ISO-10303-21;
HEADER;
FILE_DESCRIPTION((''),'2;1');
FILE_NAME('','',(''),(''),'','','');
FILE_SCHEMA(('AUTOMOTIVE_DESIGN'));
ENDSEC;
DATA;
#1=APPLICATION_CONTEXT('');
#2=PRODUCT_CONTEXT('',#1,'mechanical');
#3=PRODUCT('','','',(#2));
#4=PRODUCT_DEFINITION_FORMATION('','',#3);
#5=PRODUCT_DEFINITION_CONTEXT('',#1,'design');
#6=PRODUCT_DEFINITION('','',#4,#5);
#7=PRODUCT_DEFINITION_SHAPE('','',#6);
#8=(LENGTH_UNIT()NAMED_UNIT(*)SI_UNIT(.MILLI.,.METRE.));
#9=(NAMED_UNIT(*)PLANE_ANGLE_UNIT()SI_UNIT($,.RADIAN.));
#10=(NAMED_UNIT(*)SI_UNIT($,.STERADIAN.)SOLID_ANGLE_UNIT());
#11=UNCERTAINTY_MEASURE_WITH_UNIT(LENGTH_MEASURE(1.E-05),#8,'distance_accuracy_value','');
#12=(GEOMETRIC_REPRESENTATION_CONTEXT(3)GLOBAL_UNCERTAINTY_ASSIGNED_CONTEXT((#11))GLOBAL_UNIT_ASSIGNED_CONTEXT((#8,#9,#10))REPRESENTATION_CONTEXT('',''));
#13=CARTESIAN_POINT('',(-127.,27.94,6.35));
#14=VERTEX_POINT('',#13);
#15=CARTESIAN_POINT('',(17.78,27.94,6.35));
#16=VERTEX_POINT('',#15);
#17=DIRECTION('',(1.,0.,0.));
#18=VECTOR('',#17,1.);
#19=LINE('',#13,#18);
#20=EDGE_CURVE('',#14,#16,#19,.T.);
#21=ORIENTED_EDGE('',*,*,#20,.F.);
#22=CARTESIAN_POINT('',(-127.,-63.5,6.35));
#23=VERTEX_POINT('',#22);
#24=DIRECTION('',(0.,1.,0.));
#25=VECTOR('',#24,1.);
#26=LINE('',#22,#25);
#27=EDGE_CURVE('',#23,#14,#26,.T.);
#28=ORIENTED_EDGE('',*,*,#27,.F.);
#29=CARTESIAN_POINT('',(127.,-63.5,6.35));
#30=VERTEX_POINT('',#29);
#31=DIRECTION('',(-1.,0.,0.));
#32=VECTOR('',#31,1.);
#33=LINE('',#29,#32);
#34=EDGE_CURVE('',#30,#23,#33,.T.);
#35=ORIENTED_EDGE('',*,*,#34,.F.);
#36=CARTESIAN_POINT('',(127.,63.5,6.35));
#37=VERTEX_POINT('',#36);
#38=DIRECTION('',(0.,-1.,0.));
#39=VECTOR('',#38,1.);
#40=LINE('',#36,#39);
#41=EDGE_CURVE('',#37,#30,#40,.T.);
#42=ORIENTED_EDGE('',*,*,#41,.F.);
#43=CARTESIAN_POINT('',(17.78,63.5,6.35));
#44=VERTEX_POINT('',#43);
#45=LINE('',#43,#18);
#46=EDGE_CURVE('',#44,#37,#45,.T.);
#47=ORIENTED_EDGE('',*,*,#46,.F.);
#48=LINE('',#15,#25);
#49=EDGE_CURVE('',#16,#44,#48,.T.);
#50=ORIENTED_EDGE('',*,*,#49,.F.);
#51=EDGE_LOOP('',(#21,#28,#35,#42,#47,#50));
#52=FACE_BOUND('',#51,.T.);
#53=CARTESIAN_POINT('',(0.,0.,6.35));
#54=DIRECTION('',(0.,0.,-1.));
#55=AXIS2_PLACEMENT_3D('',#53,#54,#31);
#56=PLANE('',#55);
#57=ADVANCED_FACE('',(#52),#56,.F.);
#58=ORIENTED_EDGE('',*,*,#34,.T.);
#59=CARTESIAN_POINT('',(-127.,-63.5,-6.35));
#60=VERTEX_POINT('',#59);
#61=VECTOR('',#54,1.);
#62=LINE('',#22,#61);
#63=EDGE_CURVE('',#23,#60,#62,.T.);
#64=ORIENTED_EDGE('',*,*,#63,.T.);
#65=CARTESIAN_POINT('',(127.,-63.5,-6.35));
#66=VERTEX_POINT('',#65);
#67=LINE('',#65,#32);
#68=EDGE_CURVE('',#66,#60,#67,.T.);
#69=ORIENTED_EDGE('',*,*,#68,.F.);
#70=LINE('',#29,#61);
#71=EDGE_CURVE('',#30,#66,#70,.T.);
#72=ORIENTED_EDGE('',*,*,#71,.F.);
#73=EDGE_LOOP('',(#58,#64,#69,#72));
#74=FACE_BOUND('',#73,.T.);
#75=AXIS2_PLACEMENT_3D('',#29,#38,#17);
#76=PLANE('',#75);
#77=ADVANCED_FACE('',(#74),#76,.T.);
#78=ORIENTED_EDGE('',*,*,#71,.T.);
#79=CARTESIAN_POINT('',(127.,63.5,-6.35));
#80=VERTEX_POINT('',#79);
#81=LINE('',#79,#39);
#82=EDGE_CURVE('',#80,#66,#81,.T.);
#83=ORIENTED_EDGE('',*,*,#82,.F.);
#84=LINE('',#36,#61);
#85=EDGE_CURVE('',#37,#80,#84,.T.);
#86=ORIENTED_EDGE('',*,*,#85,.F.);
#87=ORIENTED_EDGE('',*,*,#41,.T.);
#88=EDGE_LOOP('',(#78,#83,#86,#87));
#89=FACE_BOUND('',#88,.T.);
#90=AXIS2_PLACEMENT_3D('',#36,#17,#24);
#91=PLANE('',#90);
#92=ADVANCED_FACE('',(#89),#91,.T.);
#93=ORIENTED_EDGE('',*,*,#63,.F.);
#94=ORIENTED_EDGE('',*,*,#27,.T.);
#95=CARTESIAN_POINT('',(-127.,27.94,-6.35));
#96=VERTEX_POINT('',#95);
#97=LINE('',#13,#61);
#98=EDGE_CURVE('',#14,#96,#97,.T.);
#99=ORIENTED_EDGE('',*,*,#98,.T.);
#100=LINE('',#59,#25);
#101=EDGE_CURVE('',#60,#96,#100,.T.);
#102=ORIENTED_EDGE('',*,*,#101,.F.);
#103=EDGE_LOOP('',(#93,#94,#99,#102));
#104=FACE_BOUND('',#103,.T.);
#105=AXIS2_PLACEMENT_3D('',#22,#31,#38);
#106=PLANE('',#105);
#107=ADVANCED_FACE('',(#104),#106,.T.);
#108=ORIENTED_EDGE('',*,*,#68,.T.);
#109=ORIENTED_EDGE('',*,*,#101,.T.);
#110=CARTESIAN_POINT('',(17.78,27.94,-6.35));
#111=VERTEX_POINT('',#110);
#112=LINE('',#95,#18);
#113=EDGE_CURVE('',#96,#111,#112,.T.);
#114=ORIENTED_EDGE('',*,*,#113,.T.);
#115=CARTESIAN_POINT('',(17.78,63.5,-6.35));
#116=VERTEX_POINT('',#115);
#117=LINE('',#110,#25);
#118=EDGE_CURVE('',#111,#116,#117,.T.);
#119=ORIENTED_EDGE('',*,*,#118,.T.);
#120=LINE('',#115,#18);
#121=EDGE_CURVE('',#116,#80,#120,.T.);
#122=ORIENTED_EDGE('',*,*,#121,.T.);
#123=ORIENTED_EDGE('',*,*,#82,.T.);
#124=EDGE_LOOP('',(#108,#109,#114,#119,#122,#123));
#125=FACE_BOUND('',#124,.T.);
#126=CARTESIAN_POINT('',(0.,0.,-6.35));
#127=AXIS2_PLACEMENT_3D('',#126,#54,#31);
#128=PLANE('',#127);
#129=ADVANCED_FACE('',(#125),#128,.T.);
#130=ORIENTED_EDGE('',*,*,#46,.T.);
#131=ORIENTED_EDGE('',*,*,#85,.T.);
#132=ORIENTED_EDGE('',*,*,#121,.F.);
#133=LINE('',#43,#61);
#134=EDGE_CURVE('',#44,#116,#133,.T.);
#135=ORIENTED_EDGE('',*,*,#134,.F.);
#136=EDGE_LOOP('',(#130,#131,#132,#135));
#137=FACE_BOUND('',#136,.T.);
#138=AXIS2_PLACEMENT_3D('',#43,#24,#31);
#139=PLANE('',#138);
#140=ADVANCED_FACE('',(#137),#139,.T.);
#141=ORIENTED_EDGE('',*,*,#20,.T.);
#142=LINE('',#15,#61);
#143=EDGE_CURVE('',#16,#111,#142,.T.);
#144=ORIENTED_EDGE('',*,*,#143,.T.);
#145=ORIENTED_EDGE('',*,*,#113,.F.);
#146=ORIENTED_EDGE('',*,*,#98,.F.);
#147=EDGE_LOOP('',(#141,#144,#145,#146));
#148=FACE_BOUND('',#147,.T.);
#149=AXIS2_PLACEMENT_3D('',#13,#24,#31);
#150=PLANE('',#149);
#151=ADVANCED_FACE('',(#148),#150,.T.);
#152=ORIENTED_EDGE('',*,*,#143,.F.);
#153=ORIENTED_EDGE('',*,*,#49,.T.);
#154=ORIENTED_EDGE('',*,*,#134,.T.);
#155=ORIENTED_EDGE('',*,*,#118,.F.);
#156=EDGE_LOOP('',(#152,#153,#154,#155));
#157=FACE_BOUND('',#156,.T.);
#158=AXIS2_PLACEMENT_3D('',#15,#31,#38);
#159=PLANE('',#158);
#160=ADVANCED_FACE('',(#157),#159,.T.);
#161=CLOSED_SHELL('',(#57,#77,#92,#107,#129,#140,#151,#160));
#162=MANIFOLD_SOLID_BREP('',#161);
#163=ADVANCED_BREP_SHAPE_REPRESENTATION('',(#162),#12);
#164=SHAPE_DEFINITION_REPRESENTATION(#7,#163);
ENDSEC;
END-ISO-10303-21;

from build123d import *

# Parameters (mm, degrees)
BOSS_EXTRUDE1_DEPTH = 6.35


with BuildPart() as part:
    # Sketch1 → Boss-Extrude1 (new, symmetric)
    with BuildSketch(Plane.XY):
        Polygon((-127, 27.94), (17.78, 27.94), (17.78, 63.5), (127, 63.5), (127, -63.5), (-127, -63.5), align=None)
    extrude(amount=BOSS_EXTRUDE1_DEPTH, both=True)


solid = part.part
